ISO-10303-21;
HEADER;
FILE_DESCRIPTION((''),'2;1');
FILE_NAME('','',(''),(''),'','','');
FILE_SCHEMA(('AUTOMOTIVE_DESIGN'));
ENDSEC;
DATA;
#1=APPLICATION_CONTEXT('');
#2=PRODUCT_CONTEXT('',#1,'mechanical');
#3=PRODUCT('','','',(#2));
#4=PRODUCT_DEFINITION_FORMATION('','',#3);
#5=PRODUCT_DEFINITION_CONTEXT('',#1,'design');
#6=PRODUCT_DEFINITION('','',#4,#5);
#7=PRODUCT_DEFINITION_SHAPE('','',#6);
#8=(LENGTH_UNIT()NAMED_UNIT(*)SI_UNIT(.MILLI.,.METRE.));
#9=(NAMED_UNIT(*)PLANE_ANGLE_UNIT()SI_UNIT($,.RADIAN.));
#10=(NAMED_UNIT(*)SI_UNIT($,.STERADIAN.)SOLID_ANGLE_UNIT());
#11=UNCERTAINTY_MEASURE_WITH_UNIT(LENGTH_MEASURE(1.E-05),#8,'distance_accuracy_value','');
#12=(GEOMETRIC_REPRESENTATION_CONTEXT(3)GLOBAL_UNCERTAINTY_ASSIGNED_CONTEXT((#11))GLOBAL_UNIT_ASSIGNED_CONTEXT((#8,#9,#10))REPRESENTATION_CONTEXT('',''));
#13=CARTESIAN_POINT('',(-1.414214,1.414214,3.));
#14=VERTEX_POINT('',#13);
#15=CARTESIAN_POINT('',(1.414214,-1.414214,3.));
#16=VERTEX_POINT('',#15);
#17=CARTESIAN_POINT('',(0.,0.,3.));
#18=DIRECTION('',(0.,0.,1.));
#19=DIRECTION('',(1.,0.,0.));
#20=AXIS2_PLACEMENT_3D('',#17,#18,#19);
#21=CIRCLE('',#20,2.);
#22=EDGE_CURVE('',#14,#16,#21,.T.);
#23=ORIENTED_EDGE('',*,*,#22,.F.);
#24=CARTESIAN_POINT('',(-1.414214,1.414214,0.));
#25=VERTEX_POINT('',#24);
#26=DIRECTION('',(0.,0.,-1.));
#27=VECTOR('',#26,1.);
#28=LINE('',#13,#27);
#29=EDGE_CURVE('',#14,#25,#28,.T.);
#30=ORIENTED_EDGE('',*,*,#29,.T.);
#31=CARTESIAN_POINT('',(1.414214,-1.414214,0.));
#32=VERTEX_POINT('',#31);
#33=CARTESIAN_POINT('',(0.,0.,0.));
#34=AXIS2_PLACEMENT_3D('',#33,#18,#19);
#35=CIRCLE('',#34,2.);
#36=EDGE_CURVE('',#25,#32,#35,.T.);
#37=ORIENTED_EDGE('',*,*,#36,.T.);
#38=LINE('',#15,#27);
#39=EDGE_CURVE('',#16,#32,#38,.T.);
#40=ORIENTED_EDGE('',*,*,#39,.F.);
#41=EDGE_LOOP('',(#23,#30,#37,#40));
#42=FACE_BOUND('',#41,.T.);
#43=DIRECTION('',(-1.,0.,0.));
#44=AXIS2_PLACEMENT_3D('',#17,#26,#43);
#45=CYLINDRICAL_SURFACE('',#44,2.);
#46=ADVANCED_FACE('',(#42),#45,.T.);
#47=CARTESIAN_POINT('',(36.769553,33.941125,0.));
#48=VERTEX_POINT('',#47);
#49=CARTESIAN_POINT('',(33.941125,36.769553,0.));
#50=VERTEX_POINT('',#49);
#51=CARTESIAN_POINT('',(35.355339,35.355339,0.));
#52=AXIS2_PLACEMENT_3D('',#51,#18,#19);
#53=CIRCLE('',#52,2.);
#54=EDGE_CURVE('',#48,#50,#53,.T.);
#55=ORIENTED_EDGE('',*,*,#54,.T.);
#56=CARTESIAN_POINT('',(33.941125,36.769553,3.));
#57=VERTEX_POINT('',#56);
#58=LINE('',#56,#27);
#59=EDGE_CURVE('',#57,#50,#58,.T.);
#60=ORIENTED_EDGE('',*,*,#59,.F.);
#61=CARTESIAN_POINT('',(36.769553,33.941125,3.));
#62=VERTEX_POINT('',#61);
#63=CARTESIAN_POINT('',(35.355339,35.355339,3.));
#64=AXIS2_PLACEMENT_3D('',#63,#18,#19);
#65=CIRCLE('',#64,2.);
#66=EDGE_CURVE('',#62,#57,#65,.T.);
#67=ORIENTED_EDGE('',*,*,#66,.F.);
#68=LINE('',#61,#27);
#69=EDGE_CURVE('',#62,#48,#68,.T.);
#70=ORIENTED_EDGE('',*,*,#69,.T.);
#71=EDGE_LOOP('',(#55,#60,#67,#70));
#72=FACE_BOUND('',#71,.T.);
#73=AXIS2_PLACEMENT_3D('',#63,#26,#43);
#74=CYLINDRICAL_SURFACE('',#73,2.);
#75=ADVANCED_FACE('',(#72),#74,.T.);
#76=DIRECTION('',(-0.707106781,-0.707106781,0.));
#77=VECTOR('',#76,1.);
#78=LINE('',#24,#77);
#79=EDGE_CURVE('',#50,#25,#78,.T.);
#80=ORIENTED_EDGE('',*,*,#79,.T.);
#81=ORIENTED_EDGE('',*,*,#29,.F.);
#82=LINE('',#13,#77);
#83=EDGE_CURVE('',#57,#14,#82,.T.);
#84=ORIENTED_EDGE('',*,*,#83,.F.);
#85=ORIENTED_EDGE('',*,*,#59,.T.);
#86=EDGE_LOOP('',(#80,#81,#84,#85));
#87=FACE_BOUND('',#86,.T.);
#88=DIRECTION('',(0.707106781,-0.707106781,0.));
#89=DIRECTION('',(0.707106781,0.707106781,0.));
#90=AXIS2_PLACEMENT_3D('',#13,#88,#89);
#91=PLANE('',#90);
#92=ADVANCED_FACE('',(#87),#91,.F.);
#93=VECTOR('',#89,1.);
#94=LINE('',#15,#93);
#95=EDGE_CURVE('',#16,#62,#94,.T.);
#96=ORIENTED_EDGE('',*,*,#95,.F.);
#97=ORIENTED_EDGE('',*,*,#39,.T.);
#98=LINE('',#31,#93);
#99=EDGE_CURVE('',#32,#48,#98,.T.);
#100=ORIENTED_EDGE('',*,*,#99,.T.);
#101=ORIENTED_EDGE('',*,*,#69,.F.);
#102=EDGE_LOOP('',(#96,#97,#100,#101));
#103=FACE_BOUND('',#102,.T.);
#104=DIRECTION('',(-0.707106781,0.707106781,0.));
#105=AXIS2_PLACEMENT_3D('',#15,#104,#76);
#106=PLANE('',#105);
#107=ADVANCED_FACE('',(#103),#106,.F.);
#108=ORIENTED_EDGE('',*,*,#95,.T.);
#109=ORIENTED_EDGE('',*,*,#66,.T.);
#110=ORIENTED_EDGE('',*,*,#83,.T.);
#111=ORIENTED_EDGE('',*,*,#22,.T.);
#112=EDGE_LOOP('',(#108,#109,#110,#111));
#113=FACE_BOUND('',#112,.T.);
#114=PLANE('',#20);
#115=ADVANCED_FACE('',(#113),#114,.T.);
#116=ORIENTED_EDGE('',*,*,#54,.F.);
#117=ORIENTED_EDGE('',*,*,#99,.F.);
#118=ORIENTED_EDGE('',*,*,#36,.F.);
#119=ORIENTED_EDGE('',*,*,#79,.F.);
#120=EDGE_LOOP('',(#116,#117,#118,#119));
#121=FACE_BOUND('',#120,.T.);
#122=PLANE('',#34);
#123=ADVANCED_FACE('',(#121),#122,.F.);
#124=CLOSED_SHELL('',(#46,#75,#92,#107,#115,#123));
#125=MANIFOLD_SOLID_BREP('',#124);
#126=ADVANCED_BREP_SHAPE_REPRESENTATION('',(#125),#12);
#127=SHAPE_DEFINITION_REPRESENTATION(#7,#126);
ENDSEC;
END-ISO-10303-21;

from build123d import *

# Parameters (mm, degrees)
BOSS_EXTRUDE1_DEPTH = 3


with BuildPart() as part:
    # Sketch1 → Boss-Extrude1 (new body)
    with BuildSketch(Plane.XY):
        with BuildLine():
            Line((-1.414213562, 1.414213562), (33.941125497, 36.769552622))
            ThreePointArc((33.941125497, 36.769552622), (36.769552622, 36.769552622), (36.769552622, 33.941125497))
            Line((36.769552622, 33.941125497), (1.414213562, -1.414213562))
            ThreePointArc((1.414213562, -1.414213562), (-1.414213562, -1.414213562), (-1.414213562, 1.414213562))
        make_face()
    extrude(amount=BOSS_EXTRUDE1_DEPTH)


solid = part.part
